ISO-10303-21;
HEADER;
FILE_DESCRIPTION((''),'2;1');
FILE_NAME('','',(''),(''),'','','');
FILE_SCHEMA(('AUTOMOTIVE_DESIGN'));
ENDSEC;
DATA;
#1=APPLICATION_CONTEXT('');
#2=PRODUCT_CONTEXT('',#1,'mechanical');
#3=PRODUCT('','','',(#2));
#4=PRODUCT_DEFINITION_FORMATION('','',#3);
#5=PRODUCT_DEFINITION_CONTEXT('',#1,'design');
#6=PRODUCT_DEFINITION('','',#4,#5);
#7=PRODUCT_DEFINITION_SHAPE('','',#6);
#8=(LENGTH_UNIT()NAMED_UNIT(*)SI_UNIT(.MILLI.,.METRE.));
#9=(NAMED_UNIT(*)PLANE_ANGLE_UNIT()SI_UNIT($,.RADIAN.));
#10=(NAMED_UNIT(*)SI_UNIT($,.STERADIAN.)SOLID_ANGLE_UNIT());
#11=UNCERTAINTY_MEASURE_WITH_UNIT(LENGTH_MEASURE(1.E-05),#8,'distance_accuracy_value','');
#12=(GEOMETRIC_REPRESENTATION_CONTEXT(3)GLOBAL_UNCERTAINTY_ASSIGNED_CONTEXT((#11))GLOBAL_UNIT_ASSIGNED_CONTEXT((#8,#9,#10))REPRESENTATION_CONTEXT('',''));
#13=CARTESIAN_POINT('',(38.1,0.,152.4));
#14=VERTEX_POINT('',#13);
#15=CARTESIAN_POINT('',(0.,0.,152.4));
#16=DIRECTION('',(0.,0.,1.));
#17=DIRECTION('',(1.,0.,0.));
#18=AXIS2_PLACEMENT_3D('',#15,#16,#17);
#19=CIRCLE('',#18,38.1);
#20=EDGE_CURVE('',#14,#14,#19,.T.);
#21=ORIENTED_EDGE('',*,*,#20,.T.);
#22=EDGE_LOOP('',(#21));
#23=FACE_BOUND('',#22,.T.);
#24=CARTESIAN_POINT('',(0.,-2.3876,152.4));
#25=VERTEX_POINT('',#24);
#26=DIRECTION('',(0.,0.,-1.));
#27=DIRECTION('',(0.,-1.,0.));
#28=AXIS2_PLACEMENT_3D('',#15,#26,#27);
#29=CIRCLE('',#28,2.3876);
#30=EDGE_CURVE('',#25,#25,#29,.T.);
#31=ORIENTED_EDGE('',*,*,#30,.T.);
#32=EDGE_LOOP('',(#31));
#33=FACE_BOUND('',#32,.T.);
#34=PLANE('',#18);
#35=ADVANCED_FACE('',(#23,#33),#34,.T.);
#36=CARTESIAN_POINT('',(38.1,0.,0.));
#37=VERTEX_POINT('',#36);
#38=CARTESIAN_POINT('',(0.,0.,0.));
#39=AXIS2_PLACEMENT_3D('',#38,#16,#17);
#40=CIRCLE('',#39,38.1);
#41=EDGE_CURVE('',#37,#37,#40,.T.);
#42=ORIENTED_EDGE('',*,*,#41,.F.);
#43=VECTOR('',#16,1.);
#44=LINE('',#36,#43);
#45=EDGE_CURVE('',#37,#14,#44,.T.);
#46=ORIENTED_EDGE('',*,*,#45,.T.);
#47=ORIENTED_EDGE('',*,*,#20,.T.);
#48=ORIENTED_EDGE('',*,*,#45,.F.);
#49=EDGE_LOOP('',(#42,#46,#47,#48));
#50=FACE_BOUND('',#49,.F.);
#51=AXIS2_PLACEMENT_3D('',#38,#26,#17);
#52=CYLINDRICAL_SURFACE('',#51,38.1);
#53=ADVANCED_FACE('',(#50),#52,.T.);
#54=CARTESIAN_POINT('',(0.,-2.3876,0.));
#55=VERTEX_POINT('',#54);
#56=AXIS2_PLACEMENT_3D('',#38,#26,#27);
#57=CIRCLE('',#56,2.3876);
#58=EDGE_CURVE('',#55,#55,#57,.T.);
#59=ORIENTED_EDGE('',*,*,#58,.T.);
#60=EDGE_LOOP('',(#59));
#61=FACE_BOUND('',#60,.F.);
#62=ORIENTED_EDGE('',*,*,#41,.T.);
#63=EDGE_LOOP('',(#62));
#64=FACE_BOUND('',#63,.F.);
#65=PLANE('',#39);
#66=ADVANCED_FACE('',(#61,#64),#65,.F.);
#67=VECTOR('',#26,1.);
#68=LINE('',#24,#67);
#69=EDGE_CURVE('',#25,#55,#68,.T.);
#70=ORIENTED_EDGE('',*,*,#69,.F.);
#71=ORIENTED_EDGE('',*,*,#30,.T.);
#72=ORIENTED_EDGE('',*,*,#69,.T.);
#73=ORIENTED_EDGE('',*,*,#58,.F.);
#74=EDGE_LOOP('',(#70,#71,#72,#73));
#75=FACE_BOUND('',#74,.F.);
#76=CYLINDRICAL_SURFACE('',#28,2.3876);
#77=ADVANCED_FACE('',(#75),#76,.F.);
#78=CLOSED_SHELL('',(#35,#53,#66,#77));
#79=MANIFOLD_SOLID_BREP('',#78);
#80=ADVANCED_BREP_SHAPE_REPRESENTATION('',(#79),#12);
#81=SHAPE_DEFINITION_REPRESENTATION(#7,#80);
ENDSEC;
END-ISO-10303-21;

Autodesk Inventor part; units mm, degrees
ref_plane "YZ Plane" through (0, 0, 0) normal (1, 0, 0) x (0, 1, 0)
ref_plane "XZ Plane" through (0, 0, 0) normal (0, 1, 0) x (-1, 0, 0)
ref_plane "XY Plane" through (0, 0, 0) normal (0, 0, 1) x (1, 0, 0)
sketch "Sketch1" plane through (0, 0, 0) normal (0, 0, 1) x (1, 0, 0)
  circle A0 centre (0, 0) radius 38.1
  dimension "d0" = 76.2
extrude "Extrusion1" add sketch "Sketch1" along normal blind 152.4
hole "Hole1" at (0, 0, 152.4) direction (0, 0, -1) diameter 4.7752 end through all
properties part number "CollectorBrush"
